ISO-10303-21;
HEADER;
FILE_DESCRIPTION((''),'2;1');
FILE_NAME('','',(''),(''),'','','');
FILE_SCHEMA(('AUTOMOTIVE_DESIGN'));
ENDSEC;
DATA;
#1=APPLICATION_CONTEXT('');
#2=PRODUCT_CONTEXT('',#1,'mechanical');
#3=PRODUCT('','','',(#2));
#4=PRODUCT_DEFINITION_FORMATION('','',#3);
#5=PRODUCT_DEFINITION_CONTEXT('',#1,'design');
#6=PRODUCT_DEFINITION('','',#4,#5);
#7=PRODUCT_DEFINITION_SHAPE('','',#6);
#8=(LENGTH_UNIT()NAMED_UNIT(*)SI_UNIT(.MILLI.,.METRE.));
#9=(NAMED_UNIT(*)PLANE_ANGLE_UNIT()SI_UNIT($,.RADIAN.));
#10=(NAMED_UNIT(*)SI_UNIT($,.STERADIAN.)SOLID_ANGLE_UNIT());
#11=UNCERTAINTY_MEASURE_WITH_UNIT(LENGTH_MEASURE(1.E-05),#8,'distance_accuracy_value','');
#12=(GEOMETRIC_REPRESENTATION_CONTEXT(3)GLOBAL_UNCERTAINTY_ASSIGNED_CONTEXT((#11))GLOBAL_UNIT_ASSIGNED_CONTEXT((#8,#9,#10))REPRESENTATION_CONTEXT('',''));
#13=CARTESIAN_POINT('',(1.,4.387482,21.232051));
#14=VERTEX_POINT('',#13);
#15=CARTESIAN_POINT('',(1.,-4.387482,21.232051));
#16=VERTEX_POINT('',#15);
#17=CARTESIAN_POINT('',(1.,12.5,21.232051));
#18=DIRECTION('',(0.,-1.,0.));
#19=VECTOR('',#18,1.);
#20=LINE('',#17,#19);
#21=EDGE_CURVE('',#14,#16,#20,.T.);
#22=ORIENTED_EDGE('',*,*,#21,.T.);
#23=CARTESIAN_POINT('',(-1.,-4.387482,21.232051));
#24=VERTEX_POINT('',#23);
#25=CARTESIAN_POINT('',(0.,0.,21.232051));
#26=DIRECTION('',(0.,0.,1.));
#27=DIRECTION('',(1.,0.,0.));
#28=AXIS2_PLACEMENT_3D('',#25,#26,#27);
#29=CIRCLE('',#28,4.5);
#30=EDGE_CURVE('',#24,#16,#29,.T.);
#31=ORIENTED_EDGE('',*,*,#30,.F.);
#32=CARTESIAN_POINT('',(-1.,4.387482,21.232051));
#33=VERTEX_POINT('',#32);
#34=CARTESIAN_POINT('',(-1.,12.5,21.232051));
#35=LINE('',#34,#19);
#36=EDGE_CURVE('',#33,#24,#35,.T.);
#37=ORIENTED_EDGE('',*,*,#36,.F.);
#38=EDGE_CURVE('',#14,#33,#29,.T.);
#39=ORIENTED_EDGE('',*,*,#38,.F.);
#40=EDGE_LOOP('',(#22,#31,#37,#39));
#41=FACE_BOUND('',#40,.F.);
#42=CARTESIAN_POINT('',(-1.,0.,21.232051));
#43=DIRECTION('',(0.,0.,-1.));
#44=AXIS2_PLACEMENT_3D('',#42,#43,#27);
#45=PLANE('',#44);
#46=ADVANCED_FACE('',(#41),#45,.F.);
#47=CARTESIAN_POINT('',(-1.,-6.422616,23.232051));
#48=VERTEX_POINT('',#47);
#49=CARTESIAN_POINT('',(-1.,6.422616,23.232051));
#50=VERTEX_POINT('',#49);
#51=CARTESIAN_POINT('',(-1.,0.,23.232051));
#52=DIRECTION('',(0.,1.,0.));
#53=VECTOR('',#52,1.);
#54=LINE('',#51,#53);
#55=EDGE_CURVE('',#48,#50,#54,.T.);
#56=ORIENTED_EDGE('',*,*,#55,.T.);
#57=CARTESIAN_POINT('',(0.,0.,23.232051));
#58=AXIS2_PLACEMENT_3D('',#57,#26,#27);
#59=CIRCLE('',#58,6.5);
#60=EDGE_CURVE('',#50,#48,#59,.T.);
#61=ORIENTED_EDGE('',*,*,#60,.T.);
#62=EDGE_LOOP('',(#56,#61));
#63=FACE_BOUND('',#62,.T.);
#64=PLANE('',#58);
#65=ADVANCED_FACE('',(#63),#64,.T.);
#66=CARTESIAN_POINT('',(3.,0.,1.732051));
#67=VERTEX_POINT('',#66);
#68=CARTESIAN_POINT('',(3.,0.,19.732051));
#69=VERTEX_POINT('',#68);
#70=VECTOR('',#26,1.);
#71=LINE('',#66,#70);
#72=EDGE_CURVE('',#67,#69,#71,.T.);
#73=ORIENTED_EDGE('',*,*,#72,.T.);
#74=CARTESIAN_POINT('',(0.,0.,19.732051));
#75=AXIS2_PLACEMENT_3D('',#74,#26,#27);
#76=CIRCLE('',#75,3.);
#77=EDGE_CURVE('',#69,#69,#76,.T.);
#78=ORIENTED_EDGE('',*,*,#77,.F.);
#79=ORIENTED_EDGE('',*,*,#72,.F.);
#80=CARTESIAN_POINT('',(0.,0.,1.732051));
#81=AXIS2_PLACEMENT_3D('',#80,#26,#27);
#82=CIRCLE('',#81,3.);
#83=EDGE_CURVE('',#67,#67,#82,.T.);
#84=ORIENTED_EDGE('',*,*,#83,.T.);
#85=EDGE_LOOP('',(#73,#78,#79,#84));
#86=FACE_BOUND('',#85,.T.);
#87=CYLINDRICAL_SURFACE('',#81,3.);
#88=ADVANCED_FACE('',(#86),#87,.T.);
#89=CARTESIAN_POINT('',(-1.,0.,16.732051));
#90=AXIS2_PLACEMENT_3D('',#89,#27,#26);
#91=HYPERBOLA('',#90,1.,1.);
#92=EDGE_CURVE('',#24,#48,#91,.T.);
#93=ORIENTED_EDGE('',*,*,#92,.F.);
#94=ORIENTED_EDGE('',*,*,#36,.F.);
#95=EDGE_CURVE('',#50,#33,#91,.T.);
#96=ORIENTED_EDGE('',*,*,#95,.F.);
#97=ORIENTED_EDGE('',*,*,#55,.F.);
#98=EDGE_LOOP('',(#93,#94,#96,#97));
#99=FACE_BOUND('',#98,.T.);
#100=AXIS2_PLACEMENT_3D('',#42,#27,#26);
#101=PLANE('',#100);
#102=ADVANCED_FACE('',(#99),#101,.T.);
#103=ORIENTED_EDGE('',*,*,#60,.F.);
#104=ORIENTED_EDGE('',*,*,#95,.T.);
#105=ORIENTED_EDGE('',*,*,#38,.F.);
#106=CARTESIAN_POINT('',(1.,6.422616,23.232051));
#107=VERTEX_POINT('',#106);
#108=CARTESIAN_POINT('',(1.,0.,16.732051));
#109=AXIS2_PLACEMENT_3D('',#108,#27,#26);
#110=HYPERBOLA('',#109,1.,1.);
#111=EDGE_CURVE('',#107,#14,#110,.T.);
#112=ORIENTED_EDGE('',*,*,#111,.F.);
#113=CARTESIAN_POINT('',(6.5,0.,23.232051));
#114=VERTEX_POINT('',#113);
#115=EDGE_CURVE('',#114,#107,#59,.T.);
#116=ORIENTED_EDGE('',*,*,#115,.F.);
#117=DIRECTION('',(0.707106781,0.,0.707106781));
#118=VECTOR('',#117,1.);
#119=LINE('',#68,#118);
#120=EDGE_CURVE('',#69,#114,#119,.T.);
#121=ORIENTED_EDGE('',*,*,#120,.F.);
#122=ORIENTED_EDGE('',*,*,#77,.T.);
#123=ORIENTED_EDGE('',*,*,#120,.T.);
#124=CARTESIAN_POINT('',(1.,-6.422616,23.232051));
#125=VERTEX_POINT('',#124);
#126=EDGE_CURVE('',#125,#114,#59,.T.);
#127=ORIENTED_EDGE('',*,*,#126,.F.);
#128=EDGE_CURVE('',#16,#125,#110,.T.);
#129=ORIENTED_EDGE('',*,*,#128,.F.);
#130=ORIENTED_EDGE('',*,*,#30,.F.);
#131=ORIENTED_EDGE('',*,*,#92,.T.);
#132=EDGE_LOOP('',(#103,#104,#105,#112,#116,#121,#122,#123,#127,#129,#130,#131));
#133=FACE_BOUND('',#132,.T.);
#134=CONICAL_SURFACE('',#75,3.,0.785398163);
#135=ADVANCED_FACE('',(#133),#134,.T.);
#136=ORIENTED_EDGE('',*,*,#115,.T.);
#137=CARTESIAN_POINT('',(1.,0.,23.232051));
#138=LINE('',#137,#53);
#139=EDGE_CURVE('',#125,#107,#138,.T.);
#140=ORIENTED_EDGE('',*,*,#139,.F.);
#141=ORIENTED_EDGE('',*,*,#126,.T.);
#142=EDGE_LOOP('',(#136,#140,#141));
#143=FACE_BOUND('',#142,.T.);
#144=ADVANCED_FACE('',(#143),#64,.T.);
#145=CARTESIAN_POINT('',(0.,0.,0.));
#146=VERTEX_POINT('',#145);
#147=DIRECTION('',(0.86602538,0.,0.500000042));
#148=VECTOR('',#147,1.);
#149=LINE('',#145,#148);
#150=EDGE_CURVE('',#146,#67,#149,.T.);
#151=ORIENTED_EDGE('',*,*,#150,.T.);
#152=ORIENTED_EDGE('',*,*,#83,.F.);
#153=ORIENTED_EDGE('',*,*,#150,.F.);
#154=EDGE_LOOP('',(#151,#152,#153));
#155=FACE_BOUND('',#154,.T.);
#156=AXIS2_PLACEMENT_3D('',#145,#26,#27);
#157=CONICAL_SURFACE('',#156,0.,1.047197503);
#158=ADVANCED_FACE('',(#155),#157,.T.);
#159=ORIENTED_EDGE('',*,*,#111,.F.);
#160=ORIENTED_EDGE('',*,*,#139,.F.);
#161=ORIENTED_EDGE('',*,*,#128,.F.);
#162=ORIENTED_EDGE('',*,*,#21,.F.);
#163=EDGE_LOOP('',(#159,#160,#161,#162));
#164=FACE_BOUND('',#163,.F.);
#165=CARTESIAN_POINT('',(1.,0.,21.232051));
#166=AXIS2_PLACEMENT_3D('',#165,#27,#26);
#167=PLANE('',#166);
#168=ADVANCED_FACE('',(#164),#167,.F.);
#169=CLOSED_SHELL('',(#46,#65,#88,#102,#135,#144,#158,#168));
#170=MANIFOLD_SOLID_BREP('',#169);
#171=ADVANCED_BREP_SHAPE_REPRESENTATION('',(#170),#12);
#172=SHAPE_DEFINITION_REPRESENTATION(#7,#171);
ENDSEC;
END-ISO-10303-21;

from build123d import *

# Parameters (mm, degrees)
F3_W     = 2
F3_H     = 5.143062
F4_DEPTH = 12.5


with BuildPart() as f2:
    # F0 (on Front) → F2 (revolve)
    with BuildSketch(Plane.XZ):
        Polygon((0, 23.232051), (0, 0), (3, 1.732051), (3, 19.732051), (6.5, 23.232051), align=None)
    revolve(axis=Axis((0, 0, 22.404052), (0, 0, 1)))

    # F3 (on Front) → F4 (cut, symmetric)
    with BuildSketch(Plane.XZ):
        with Locations((0, 23.803582)):
            Rectangle(F3_W, F3_H)
    extrude(amount=F4_DEPTH, both=True, mode=Mode.SUBTRACT)


solid = f2.part
